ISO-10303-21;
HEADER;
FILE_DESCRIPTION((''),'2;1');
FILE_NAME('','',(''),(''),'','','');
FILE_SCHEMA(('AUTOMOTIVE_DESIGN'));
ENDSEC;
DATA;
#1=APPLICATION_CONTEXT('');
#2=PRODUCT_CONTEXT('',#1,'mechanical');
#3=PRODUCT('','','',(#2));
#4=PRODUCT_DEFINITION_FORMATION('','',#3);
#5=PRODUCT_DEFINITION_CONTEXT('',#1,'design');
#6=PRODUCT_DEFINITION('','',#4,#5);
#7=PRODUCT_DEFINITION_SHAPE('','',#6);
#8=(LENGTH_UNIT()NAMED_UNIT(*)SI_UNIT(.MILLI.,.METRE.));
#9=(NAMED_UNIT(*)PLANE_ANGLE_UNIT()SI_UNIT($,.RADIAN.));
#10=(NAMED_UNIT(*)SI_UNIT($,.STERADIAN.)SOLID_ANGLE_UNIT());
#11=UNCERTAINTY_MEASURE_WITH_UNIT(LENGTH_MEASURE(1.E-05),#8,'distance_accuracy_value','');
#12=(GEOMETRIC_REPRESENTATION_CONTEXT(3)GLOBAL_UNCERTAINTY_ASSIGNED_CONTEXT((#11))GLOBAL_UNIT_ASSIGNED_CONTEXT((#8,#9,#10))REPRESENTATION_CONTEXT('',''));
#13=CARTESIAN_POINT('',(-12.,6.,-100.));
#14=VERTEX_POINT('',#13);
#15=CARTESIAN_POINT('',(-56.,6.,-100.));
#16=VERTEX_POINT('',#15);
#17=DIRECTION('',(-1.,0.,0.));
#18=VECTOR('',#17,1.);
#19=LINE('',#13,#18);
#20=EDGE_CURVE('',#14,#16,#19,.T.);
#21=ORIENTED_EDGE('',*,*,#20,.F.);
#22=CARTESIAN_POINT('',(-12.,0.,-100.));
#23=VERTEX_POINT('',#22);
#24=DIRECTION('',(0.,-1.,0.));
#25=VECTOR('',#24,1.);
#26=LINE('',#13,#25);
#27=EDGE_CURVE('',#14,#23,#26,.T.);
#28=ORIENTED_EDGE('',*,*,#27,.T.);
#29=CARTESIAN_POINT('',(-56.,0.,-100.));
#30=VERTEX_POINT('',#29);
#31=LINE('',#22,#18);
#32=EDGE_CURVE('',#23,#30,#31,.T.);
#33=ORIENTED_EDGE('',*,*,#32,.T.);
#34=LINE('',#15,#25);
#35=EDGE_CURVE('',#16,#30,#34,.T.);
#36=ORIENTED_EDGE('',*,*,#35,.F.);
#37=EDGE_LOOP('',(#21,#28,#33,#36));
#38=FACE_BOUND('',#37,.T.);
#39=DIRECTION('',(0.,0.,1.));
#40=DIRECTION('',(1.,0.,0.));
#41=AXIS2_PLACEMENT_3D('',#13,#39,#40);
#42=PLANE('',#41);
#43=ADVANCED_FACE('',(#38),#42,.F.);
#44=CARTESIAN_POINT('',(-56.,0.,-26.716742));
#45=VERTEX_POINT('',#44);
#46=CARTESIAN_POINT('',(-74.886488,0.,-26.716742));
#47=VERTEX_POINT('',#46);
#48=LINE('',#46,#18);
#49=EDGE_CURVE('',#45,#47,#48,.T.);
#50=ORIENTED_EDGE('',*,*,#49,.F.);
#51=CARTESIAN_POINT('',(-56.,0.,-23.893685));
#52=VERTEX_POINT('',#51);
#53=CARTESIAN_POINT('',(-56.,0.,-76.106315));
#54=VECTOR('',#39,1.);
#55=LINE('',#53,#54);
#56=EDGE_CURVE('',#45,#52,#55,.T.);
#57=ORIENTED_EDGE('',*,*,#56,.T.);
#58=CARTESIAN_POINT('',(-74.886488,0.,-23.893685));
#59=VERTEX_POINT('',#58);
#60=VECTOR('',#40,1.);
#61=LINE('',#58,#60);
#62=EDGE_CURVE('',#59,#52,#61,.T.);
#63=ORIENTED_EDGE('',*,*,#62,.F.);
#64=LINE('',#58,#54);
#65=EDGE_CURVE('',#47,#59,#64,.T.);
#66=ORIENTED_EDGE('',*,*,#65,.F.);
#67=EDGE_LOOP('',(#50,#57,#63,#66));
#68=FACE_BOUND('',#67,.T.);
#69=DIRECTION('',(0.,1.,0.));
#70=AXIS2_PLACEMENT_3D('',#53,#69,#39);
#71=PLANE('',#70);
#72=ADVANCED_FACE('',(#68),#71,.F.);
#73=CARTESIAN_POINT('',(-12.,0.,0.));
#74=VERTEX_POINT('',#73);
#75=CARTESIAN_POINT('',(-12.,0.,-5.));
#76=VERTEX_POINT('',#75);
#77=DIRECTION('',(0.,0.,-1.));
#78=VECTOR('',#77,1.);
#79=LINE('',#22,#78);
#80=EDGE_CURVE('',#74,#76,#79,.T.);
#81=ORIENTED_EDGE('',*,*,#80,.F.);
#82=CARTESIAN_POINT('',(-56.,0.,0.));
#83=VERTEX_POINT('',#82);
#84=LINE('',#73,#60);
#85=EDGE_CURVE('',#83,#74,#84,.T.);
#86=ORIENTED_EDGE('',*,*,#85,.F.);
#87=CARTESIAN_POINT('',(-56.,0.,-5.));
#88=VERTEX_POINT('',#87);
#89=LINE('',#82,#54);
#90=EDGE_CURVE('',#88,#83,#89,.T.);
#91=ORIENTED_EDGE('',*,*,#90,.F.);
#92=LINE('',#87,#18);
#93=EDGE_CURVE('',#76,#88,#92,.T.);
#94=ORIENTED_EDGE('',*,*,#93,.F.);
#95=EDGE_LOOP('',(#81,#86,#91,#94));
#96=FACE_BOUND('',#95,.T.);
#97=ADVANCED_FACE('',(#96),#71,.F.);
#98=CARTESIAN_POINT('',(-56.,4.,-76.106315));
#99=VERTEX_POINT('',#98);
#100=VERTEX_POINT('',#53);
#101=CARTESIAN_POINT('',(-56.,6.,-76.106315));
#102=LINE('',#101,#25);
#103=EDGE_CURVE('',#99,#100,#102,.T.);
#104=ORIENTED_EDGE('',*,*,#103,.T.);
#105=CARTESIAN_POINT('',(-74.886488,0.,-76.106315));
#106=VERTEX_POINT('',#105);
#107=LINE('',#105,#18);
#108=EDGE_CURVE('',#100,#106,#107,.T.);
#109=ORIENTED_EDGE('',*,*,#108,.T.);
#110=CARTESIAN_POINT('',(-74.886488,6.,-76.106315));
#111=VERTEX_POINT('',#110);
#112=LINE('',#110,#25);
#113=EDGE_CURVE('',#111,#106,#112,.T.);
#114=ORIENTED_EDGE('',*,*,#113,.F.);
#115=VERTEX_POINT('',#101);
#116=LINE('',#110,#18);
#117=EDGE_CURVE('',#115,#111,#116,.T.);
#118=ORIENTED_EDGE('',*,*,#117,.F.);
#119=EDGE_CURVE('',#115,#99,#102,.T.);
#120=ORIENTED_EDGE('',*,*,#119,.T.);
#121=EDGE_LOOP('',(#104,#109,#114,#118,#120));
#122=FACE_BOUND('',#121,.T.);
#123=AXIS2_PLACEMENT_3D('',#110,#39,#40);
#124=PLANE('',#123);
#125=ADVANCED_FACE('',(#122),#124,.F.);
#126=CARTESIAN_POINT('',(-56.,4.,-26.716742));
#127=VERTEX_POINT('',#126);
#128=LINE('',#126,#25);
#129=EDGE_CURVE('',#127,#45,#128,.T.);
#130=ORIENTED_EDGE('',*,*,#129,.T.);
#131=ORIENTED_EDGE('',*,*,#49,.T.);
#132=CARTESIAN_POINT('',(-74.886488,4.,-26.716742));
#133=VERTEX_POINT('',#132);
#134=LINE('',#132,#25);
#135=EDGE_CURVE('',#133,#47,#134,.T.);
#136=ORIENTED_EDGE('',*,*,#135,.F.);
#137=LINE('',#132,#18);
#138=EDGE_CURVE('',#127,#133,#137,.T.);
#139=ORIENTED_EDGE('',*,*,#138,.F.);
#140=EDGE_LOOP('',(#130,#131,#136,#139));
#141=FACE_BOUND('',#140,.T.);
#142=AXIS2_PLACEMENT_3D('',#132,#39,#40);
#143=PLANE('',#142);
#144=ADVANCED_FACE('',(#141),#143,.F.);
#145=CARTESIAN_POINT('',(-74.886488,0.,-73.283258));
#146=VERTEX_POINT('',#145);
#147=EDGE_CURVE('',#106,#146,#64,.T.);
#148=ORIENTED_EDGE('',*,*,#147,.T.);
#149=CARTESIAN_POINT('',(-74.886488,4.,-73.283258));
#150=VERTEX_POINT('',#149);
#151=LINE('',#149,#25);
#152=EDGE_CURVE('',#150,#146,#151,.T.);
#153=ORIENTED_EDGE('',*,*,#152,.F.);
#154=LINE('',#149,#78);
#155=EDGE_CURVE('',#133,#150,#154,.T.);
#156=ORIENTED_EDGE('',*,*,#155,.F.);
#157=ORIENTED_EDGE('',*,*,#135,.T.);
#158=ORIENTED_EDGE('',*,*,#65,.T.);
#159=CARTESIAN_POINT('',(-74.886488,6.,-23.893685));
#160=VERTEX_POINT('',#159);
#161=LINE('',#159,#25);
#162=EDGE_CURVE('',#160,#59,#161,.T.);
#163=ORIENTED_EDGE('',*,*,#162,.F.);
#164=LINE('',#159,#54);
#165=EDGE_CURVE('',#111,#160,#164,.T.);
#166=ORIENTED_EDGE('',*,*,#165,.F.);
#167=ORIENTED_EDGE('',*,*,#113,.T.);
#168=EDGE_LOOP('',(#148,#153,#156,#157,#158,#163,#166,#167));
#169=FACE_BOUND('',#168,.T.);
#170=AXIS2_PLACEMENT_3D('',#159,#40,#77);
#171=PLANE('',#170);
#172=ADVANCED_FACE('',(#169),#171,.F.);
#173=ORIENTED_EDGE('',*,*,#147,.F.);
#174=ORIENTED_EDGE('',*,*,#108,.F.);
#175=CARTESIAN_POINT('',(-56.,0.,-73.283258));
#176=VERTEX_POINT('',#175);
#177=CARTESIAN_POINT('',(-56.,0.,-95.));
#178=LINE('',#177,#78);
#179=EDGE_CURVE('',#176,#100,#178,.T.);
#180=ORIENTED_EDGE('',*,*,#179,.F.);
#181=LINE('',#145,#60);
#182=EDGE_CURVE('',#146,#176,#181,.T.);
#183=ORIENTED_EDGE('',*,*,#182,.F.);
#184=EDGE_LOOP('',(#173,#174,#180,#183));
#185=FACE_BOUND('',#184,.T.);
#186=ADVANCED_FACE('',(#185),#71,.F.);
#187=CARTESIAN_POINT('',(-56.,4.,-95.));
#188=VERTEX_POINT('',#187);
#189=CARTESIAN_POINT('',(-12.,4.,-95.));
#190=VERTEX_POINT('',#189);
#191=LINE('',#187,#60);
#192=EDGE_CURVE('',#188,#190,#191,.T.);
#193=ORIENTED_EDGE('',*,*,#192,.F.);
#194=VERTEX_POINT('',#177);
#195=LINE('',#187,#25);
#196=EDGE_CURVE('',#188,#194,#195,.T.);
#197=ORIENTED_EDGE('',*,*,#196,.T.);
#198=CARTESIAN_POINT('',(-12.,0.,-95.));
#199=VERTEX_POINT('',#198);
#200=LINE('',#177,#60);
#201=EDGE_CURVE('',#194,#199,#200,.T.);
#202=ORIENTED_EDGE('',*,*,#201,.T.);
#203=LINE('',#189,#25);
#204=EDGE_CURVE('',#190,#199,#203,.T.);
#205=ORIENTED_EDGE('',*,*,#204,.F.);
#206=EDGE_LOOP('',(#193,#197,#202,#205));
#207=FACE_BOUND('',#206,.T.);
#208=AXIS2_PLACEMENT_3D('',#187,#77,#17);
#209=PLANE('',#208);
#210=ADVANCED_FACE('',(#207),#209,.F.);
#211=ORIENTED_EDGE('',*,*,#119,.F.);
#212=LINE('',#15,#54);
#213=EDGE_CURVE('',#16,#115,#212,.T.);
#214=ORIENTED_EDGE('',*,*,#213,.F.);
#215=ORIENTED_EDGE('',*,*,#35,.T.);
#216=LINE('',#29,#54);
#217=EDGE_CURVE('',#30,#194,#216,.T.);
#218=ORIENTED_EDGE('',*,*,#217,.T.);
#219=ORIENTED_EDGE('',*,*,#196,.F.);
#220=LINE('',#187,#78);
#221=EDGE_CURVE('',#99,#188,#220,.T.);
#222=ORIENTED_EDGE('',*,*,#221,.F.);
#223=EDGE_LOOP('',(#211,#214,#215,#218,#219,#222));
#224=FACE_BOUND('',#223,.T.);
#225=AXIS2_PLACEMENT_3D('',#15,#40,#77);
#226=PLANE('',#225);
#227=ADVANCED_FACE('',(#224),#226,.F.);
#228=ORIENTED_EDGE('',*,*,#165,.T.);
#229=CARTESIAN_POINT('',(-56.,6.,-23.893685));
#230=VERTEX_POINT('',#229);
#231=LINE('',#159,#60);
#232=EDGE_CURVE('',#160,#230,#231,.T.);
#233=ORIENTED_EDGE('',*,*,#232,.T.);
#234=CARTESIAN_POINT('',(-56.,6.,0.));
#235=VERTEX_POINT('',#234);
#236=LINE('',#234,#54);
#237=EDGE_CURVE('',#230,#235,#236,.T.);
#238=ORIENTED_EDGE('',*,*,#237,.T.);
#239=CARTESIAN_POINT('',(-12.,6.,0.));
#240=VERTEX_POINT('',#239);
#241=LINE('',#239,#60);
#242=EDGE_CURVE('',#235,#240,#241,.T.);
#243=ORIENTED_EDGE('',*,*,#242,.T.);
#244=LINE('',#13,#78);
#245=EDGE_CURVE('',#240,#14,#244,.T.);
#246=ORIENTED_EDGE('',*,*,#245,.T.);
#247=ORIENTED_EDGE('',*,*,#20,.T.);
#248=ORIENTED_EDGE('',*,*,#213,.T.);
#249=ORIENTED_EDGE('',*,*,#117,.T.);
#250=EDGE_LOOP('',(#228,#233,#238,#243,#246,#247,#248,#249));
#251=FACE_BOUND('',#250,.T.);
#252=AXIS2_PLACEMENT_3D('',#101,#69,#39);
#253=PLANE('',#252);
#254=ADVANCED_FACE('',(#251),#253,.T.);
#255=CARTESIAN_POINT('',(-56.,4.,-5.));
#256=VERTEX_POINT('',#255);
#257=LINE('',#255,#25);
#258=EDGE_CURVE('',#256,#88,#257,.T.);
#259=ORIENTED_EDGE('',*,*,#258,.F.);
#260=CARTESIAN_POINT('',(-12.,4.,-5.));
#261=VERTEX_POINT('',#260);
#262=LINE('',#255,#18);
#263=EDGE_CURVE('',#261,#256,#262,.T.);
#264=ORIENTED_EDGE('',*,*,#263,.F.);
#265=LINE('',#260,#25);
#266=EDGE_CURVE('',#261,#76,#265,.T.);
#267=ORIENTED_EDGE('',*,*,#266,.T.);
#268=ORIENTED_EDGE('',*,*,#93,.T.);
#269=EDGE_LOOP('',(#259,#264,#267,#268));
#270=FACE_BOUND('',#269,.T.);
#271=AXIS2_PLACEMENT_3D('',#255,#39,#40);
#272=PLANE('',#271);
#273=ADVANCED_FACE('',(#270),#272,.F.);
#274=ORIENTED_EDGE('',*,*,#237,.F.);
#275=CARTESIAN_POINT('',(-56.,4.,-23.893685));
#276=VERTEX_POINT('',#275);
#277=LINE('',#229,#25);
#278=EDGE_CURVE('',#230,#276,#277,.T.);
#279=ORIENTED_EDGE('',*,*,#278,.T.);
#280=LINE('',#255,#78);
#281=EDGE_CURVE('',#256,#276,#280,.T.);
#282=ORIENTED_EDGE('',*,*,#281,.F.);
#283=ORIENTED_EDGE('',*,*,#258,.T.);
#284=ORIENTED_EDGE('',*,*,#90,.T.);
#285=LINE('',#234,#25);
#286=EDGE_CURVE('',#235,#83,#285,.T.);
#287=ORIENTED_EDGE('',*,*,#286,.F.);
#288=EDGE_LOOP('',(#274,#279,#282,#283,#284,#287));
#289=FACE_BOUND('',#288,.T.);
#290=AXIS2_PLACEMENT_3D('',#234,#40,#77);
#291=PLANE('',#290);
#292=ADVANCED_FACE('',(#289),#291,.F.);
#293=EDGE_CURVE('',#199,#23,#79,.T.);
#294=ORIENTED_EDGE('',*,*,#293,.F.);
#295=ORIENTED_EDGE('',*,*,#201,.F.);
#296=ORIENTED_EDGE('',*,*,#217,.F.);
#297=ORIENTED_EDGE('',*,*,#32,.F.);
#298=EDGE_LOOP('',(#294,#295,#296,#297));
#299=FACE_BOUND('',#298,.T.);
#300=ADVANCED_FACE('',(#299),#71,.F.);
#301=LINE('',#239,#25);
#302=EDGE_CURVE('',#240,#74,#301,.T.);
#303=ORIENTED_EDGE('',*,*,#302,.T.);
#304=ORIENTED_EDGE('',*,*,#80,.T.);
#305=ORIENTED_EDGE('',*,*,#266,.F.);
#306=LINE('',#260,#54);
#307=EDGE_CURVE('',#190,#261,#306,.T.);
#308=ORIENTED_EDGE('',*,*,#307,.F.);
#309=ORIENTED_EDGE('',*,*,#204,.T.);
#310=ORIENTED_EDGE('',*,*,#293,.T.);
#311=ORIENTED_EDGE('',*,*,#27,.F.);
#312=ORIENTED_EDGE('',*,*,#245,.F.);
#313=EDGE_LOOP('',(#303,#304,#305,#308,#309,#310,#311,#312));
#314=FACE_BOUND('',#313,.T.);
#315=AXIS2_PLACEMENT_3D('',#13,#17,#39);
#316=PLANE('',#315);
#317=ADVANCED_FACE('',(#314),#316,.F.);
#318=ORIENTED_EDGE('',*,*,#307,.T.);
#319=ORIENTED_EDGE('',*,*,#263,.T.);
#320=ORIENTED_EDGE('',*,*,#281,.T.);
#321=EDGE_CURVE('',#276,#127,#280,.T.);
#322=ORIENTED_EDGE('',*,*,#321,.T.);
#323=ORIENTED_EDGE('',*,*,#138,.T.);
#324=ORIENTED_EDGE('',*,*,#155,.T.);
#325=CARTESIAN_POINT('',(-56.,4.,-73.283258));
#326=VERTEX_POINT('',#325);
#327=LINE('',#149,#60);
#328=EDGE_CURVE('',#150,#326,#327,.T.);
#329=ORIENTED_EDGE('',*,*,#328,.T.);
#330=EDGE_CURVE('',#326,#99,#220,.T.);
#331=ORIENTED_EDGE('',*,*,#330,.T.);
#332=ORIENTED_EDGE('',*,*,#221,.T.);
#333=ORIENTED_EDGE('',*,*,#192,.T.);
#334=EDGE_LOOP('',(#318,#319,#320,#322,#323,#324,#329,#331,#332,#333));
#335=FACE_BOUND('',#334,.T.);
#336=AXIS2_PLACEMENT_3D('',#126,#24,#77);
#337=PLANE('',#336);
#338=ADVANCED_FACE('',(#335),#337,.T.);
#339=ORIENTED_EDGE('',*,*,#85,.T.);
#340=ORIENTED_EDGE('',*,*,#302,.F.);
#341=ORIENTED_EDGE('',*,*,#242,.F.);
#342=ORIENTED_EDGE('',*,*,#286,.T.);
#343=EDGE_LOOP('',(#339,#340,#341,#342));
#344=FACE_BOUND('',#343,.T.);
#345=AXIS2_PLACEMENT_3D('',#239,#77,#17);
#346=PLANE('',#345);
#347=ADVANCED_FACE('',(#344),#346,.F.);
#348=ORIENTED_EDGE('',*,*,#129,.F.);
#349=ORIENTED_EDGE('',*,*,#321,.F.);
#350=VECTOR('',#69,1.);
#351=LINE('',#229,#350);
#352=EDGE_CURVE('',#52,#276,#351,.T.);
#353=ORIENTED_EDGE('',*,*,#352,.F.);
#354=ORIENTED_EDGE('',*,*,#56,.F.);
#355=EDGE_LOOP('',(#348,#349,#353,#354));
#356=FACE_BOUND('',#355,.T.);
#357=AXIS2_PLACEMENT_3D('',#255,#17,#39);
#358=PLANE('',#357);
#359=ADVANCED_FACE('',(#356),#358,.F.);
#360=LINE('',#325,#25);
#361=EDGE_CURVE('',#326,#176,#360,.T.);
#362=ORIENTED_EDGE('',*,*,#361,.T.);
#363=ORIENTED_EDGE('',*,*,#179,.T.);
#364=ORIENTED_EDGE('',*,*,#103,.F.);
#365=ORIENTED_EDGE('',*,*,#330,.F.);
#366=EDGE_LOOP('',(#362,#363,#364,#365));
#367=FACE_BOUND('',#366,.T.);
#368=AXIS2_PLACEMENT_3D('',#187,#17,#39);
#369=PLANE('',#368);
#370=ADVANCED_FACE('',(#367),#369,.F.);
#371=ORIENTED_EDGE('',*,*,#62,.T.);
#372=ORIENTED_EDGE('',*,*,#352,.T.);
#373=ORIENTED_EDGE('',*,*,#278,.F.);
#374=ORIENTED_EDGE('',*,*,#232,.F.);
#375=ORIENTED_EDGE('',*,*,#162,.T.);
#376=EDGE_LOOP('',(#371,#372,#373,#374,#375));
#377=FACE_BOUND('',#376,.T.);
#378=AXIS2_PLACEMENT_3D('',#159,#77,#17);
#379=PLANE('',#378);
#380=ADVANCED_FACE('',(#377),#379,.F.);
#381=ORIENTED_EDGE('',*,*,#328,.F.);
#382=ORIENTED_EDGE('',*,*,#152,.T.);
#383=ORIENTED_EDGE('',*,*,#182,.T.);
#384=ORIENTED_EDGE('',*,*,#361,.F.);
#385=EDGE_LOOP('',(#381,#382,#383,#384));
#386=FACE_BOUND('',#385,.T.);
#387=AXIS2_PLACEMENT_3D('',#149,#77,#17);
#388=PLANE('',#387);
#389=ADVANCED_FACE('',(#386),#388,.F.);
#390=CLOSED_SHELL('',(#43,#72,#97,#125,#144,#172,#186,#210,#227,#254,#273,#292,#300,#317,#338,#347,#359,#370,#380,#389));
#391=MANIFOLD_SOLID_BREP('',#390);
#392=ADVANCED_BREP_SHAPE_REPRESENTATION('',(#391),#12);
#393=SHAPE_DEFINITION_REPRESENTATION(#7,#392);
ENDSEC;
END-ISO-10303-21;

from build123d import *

# Parameters (mm, degrees)
EXTRUDE_1_DEPTH     = 6
CUT_EXTRUDE_2_DEPTH = 4


with BuildPart() as part:
    # Эскиз1 → Вытянуть1 (new body)
    with BuildSketch(Plane(origin=(0, 0, 0), x_dir=(1, 0, 0), z_dir=(0, 1, 0))):
        Polygon((-12, 0), (-56, 0), (-56, 23.893685267), (-74.88648833, 23.893685267), (-74.88648833, 76.106314733), (-56, 76.106314733), (-56, 100), (-12, 100), align=None)
    extrude(amount=EXTRUDE_1_DEPTH)

    # Эскиз2 → Вытянуть2 (cut)
    with BuildSketch(Plane.XZ):
        Polygon((-56, -5), (-12, -5), (-12, -95), (-56, -95), (-56, -73.28325794), (-74.88648833, -73.28325794), (-74.88648833, -26.71674206), (-56, -26.71674206), align=None)
    extrude(amount=-CUT_EXTRUDE_2_DEPTH, mode=Mode.SUBTRACT)


solid = part.part
